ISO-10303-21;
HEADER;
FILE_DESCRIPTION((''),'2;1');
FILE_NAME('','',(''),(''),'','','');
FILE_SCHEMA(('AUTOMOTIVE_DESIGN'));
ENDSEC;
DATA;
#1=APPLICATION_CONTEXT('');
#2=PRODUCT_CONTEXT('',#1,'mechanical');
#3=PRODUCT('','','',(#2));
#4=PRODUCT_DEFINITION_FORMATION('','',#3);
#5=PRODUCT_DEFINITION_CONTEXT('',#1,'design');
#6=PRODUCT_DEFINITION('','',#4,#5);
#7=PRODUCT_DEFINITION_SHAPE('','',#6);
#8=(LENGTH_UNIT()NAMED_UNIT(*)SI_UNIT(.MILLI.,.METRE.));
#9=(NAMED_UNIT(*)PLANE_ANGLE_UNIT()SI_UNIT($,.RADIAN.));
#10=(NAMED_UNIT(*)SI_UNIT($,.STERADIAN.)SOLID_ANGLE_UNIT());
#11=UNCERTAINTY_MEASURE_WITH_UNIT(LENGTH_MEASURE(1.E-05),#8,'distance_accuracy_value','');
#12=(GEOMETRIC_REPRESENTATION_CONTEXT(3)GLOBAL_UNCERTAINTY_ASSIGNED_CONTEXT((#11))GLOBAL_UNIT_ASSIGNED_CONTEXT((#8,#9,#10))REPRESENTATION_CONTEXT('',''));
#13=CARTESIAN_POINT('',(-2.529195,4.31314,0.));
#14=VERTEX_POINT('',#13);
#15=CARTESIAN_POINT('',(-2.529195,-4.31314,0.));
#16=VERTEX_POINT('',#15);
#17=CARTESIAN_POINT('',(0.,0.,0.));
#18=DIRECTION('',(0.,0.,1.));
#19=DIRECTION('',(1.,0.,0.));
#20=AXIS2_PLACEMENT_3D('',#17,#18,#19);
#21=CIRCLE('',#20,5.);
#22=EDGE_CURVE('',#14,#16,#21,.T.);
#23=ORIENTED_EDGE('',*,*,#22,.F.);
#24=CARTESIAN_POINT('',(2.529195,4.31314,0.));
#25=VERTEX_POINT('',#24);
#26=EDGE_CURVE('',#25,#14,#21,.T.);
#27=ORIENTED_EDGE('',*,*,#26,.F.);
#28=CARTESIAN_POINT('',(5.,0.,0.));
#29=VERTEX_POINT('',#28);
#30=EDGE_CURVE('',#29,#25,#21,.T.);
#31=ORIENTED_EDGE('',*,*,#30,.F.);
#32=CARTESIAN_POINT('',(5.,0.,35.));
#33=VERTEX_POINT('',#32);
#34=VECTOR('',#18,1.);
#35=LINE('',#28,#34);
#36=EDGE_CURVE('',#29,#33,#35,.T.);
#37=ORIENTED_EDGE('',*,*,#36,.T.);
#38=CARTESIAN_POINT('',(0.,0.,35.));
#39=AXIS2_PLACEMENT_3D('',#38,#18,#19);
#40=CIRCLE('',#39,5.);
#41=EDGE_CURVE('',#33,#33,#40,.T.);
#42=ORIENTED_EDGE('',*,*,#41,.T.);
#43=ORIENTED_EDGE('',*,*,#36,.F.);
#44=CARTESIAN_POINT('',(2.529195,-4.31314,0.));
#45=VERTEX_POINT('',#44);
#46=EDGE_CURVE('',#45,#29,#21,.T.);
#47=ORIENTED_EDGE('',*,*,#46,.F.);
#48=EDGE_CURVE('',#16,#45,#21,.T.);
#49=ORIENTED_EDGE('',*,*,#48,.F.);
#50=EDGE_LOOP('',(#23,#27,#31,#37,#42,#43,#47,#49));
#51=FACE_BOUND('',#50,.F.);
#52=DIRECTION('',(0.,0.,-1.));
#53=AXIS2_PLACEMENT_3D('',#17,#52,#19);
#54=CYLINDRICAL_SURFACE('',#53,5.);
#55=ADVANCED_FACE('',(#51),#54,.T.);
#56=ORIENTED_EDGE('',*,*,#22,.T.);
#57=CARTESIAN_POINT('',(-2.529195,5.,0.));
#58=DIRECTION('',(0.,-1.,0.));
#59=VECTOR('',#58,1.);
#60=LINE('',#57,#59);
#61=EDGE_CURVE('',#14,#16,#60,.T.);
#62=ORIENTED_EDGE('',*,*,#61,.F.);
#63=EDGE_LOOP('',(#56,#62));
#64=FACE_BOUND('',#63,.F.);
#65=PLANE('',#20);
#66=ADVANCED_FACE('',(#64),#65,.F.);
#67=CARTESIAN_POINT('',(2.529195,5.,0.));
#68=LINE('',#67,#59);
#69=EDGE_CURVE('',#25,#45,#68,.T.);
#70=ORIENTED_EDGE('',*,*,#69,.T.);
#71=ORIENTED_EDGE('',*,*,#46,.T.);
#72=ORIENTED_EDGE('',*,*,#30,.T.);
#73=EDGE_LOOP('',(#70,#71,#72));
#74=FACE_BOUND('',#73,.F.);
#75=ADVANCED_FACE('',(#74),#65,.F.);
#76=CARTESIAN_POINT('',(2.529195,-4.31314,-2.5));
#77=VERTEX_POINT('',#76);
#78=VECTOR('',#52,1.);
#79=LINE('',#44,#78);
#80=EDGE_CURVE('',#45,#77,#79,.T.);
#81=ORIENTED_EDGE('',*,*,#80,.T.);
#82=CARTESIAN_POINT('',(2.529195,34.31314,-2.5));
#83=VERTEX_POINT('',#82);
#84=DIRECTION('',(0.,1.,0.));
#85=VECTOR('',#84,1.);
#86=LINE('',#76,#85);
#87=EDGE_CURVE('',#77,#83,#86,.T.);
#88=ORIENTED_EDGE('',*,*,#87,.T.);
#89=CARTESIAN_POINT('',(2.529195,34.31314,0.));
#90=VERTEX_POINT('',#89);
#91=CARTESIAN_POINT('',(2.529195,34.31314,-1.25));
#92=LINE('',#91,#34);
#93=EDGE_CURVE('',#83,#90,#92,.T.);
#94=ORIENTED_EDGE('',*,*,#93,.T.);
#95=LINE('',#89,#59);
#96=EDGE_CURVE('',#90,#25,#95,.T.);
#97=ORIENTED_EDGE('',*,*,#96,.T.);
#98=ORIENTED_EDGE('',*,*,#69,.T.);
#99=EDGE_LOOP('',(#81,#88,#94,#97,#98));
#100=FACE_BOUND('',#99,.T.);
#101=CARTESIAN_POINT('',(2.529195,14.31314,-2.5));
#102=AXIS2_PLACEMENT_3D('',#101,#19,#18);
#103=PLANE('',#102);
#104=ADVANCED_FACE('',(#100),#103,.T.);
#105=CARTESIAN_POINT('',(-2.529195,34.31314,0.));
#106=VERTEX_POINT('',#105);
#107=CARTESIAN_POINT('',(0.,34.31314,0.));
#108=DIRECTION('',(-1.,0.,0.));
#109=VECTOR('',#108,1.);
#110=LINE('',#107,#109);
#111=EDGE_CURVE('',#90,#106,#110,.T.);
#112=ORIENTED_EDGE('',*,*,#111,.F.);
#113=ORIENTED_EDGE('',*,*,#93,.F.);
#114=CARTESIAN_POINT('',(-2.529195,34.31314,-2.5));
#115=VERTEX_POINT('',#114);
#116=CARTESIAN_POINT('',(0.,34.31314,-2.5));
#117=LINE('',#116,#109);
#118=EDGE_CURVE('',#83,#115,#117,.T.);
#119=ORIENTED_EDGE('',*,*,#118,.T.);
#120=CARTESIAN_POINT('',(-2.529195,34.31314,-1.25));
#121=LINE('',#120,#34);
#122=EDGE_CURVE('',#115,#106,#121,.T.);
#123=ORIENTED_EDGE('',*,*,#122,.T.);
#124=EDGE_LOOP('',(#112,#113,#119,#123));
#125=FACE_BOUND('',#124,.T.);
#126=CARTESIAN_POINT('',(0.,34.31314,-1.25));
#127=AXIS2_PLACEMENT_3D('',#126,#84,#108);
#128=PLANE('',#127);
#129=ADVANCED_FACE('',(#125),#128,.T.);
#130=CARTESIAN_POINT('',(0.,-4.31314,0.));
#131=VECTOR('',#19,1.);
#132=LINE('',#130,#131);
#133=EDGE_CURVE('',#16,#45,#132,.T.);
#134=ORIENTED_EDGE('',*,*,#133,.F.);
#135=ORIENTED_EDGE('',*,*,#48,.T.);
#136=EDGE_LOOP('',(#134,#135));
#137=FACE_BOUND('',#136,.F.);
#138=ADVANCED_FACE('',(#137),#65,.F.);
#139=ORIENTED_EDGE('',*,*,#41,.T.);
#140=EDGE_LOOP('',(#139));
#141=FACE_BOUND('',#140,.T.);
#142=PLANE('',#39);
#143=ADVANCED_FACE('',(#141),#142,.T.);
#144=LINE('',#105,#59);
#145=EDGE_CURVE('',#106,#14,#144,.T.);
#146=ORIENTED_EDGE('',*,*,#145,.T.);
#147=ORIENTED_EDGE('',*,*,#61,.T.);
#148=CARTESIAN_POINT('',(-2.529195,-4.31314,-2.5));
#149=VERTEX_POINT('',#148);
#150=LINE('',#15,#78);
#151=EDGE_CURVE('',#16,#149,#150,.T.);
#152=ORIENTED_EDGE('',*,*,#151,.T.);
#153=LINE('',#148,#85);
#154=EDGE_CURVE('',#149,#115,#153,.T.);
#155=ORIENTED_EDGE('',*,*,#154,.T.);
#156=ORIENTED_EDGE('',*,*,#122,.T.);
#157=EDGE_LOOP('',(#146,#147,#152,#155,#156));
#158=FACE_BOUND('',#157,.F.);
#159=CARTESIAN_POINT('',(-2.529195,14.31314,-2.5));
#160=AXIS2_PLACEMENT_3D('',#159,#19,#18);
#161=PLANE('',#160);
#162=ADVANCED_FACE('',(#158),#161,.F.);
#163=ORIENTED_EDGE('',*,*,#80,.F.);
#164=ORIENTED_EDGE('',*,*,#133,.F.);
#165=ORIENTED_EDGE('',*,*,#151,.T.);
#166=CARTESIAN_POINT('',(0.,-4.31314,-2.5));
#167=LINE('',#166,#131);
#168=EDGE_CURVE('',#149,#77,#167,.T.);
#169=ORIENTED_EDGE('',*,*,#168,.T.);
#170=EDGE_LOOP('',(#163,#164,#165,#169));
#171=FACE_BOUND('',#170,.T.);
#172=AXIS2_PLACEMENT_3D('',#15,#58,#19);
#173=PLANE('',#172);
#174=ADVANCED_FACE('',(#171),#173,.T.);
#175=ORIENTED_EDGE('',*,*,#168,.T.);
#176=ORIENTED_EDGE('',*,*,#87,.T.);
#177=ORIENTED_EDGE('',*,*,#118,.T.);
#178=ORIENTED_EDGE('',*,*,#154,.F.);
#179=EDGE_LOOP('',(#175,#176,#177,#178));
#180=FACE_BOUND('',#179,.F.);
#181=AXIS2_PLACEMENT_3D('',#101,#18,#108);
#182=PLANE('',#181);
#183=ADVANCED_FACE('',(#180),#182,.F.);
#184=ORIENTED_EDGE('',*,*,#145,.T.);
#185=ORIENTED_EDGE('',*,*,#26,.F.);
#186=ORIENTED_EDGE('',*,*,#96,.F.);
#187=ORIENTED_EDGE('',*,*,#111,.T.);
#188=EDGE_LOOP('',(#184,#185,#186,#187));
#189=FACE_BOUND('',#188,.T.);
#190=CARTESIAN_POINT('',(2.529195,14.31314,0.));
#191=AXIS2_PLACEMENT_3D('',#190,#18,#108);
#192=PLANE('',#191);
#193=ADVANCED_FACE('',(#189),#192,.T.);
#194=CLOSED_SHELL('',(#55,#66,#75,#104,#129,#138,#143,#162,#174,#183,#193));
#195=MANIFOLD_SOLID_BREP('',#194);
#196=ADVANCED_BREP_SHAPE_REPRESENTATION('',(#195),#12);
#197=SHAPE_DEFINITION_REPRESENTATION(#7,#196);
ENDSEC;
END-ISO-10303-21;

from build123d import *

# Parameters (mm, degrees)
F0_R      = 5
F1_DEPTH  = 35
F2_W      = 5.05839
F2_H      = 18.62628
F3_DEPTH  = 2.5
F3_FACE_W = 5.05839
F3_FACE_H = 2.5
F4_DEPTH  = 20


with BuildPart() as f1:
    # F0 (on Top) → F1 (new body)
    with BuildSketch(Plane.XY):
        Circle(F0_R)
    extrude(amount=F1_DEPTH)

    # F2 (on face) → F3 (join)
    with BuildSketch(Plane(origin=(0, 0, 0), x_dir=(1, 0, 0), z_dir=(0, 0, -1))):
        with Locations((0, -5)):
            Rectangle(F2_W, F2_H)
    extrude(amount=F3_DEPTH)

    # F3_face (on face) → F4 (join)
    with BuildSketch(Plane(origin=(0, 14.31314, -1.25), x_dir=(-1, 0, 0), z_dir=(0, 1, 0))):
        Rectangle(F3_FACE_W, F3_FACE_H)
    extrude(amount=F4_DEPTH)


solid = f1.part
